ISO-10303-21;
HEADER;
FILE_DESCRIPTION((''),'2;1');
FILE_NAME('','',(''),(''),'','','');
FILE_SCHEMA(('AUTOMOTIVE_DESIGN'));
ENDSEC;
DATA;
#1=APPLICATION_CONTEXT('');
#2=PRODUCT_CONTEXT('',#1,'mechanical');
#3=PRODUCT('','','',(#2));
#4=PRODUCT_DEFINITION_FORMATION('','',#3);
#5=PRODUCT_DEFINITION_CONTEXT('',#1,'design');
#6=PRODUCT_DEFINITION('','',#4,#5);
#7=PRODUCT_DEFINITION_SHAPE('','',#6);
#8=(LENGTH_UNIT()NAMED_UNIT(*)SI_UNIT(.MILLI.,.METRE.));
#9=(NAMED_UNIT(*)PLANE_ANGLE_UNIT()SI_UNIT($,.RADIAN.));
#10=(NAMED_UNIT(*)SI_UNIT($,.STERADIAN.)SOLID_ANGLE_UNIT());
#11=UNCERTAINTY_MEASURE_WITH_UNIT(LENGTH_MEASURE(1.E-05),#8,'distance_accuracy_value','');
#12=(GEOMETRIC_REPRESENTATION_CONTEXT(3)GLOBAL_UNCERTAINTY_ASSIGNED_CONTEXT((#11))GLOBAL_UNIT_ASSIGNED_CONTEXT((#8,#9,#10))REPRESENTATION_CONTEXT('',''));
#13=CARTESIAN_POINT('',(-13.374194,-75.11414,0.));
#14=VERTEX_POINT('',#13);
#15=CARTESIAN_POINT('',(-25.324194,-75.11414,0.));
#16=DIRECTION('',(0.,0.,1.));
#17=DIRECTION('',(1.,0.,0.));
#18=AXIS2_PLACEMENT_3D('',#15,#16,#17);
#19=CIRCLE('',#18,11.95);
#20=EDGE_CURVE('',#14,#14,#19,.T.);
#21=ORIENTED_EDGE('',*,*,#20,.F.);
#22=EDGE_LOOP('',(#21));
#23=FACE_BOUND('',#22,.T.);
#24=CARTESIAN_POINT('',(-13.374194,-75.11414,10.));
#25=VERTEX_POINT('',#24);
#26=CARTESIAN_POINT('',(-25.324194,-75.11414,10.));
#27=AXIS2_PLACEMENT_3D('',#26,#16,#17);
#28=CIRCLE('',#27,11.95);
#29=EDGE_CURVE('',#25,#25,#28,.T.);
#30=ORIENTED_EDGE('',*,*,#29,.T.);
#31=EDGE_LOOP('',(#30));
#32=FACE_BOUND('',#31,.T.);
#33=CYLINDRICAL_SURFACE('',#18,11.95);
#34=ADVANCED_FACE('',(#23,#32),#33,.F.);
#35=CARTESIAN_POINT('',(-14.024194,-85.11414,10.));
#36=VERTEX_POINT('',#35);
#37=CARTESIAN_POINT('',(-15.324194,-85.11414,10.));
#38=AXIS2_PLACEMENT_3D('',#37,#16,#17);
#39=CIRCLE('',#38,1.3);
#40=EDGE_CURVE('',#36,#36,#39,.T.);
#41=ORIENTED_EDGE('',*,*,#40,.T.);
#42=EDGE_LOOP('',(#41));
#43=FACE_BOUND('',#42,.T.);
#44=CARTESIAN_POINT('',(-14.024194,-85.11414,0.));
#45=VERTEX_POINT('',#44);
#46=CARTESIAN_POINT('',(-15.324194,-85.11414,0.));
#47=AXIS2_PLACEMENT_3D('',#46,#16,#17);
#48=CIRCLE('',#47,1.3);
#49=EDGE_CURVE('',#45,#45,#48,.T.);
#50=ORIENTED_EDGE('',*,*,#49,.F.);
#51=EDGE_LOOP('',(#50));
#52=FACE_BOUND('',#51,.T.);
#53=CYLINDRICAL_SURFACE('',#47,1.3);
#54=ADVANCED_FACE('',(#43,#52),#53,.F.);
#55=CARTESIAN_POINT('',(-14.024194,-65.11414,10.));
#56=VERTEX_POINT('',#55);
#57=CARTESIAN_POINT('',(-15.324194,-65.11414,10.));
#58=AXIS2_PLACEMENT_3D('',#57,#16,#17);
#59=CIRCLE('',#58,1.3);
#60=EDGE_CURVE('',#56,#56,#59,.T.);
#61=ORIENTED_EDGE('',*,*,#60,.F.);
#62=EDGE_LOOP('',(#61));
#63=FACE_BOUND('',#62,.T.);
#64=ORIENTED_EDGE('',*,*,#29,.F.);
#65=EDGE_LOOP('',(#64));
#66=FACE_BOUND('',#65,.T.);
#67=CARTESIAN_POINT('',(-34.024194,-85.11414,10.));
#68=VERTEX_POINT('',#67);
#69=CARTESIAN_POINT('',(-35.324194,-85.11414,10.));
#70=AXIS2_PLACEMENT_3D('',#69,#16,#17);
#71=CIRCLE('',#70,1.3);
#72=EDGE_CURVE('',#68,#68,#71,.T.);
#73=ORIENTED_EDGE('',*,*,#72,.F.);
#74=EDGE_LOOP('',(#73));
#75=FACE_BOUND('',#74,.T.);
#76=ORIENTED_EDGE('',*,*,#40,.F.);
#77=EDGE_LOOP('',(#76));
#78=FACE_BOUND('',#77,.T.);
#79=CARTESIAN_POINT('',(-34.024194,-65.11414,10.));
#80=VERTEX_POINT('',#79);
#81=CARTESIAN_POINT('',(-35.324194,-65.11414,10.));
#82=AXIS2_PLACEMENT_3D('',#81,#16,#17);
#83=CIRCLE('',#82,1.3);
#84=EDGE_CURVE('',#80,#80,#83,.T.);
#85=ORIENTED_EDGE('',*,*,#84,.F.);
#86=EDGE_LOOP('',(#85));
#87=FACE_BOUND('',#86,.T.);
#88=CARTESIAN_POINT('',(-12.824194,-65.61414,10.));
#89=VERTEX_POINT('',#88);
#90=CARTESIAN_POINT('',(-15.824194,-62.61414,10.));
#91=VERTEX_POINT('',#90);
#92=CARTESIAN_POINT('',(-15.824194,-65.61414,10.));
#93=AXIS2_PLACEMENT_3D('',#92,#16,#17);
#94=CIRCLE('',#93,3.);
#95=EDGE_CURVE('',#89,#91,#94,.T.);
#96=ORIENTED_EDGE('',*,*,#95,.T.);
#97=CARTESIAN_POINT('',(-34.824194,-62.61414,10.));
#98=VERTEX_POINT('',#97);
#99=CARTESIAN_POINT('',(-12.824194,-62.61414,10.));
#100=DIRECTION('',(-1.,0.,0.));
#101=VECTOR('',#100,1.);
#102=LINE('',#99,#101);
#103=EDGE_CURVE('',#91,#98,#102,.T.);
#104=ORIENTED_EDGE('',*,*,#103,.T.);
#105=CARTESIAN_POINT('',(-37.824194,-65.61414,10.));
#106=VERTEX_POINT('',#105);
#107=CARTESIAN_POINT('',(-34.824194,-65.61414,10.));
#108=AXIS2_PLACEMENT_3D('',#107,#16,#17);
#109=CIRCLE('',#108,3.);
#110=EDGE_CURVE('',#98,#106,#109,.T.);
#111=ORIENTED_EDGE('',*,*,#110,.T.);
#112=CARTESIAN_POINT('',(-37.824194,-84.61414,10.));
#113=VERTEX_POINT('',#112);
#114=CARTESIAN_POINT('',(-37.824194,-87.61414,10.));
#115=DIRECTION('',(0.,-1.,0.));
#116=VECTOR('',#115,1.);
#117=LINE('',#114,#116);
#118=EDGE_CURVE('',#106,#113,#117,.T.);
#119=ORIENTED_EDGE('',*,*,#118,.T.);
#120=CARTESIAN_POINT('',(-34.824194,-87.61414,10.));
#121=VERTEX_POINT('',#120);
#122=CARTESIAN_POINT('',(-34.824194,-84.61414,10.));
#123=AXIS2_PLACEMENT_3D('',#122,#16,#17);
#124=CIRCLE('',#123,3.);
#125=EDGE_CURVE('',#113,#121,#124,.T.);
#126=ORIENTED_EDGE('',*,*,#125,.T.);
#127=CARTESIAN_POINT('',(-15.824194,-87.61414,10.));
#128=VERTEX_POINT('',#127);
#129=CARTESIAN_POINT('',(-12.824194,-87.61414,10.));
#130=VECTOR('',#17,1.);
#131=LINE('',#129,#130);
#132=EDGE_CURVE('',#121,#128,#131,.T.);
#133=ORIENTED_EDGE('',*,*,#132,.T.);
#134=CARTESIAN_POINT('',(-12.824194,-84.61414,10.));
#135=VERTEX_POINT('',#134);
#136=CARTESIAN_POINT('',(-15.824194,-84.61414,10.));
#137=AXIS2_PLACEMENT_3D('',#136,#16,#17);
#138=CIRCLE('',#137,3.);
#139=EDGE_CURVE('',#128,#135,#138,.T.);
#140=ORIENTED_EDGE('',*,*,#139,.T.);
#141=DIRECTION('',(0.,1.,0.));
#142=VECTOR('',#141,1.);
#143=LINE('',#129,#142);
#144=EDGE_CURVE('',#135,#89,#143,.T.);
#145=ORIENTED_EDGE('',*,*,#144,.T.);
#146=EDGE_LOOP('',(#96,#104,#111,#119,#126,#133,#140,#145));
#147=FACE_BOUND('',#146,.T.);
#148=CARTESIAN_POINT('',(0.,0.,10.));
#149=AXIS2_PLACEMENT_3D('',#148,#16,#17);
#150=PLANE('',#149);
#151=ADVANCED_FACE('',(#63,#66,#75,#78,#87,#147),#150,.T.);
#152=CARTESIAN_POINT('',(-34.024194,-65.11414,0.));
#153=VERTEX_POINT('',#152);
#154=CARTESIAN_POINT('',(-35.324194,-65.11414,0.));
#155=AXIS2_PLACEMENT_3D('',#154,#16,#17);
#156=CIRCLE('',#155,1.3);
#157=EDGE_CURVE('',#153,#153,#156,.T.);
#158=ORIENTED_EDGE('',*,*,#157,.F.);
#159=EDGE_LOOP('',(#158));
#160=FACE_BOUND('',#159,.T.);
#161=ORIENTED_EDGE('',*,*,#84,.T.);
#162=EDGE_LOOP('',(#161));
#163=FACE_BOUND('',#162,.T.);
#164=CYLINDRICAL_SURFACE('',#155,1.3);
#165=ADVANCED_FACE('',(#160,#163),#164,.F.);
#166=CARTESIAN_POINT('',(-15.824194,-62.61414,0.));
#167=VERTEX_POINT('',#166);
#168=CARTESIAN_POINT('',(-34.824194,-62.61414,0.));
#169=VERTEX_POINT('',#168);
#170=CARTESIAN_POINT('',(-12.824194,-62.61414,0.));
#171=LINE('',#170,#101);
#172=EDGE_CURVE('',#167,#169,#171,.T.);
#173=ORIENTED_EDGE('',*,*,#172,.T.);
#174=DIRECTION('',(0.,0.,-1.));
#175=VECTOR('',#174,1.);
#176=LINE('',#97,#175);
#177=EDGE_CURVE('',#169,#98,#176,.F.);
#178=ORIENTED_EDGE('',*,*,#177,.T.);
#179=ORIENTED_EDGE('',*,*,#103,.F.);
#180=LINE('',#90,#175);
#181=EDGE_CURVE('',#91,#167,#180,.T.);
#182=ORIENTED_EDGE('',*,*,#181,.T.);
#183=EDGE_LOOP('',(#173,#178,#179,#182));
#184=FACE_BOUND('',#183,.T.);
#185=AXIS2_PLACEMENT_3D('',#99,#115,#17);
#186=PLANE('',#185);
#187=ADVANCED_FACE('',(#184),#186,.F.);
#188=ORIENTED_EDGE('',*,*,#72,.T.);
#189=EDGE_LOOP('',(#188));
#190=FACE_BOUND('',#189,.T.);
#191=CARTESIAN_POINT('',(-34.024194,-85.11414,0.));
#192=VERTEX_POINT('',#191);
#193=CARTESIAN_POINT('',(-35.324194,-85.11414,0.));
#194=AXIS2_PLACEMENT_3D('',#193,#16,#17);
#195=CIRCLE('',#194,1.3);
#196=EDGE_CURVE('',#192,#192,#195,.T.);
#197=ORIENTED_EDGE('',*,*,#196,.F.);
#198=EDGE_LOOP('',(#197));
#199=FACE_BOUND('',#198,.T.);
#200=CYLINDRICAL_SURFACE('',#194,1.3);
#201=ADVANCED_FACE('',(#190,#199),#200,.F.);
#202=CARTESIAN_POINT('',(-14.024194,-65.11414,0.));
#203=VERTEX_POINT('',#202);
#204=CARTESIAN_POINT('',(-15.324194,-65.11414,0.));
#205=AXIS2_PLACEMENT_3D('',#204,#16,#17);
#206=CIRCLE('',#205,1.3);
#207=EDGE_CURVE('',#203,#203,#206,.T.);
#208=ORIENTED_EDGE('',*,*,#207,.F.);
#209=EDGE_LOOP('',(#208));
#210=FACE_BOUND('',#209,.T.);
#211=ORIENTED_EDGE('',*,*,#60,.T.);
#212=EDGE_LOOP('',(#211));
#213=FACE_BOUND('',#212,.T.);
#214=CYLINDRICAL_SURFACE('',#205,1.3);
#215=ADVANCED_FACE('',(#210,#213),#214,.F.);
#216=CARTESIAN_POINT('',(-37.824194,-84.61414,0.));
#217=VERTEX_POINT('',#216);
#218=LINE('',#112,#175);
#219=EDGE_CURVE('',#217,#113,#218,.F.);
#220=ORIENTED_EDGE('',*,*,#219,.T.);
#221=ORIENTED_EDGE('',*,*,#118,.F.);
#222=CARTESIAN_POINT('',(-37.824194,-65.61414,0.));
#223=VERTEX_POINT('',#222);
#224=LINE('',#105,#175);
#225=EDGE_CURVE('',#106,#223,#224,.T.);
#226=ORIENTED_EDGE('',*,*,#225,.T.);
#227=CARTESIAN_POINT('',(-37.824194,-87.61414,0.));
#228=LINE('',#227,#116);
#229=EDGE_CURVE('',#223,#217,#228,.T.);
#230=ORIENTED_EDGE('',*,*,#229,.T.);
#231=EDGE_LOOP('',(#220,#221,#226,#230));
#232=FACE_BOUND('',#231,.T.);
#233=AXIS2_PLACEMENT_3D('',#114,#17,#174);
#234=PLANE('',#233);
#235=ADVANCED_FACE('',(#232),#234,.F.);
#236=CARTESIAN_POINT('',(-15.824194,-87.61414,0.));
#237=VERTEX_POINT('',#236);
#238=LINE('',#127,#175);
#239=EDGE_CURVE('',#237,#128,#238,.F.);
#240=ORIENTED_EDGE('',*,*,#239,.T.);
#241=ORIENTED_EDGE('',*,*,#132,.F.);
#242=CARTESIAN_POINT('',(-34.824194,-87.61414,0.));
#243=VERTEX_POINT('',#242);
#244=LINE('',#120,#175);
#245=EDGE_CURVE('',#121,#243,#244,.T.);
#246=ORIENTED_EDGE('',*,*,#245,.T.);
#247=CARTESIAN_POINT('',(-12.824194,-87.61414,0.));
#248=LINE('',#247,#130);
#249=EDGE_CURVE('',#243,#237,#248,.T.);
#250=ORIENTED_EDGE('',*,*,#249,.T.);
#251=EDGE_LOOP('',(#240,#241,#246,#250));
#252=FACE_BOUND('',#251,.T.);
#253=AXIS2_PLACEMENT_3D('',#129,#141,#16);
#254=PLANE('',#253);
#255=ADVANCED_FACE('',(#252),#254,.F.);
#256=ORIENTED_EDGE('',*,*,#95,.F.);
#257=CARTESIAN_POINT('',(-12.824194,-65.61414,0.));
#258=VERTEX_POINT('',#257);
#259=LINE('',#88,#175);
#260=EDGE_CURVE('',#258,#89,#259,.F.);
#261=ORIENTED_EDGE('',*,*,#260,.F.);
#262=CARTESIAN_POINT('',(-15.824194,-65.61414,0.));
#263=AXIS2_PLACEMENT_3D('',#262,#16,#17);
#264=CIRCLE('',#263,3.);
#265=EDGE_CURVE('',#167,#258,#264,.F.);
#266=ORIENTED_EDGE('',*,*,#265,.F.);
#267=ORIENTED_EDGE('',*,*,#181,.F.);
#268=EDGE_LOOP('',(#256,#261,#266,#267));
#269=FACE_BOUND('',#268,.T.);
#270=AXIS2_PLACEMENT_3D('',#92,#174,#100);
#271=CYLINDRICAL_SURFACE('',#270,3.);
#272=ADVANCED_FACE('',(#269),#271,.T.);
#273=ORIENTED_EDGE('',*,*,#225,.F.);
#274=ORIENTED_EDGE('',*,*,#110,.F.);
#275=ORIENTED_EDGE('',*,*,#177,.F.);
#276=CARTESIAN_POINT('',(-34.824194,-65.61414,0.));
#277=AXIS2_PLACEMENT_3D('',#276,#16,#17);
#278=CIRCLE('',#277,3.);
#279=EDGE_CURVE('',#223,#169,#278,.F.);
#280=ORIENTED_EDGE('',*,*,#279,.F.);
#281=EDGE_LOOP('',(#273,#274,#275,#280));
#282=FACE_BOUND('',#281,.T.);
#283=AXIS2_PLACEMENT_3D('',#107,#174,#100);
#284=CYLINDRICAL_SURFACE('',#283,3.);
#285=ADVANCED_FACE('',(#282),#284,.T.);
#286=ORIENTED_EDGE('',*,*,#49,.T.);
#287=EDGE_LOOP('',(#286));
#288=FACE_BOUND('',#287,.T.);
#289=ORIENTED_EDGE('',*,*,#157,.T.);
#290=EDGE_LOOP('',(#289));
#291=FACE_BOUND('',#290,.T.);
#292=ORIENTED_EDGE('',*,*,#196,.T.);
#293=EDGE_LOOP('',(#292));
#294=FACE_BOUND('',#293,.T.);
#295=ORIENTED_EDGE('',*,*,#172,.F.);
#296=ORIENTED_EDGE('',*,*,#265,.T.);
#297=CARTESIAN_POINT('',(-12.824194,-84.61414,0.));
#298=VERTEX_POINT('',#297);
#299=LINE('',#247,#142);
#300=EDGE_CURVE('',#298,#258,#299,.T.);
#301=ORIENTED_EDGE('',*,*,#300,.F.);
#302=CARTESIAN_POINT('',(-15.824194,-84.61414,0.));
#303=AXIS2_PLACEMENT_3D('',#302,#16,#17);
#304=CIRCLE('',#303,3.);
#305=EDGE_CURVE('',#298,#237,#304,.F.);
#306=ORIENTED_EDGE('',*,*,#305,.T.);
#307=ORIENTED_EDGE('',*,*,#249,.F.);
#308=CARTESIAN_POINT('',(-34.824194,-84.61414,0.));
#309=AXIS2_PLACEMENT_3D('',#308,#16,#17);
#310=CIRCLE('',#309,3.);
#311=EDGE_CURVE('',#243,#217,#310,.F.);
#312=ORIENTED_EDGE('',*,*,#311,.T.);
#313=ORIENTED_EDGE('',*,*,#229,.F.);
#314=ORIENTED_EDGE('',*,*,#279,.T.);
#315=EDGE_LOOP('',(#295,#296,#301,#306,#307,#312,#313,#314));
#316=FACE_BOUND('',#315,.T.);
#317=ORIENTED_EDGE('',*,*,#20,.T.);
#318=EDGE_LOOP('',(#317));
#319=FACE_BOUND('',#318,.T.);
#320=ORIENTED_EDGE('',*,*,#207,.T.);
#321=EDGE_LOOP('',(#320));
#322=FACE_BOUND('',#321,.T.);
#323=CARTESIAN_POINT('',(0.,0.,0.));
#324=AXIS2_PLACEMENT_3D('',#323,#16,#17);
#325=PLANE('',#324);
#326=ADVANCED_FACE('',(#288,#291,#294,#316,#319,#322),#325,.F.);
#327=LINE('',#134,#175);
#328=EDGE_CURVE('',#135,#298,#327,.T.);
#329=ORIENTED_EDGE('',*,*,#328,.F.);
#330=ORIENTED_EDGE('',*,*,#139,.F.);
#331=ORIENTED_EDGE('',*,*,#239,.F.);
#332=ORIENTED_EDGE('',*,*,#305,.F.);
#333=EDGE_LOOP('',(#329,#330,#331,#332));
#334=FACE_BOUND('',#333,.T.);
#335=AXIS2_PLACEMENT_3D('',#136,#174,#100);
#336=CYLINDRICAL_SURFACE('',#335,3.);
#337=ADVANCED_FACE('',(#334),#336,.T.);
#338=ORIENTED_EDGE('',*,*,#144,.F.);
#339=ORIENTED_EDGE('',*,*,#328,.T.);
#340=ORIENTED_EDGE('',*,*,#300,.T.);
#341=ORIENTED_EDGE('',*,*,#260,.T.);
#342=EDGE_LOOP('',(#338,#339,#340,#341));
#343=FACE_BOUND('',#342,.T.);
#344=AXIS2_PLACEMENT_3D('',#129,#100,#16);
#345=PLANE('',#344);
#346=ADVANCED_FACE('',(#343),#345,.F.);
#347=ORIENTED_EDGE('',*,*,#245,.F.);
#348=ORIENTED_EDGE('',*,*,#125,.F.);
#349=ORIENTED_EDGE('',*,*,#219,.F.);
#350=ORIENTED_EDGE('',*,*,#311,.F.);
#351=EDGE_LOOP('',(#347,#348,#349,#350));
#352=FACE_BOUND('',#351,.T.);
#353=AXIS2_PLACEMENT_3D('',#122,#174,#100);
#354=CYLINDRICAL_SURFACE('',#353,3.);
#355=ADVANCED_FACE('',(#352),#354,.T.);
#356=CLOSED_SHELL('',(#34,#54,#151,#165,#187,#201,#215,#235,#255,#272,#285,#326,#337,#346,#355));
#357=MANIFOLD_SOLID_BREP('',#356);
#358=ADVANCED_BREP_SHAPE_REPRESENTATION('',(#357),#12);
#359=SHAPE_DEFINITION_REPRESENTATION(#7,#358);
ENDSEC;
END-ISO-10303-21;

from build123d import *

# Parameters (mm, degrees)
SKETCH1_W           = 25
SKETCH1_H           = 25
BOSS_EXTRUDE1_DEPTH = 10
FILLET1_R           = 3
SKETCH2_R           = 1.3
CUT_EXTRUDE1_DEPTH  = 10
SKETCH3_R           = 11.95
CUT_EXTRUDE2_DEPTH  = 10


with BuildPart() as part:
    # Sketch1 → Boss-Extrude1 (new body)
    with BuildSketch(Plane.XY):
        with Locations((-25.324193791, -75.114139951)):
            Rectangle(SKETCH1_W, SKETCH1_H)
    extrude(amount=BOSS_EXTRUDE1_DEPTH)

    # Fillet1
    fillet1_edges = [part.edges().sort_by_distance(p)[0] for p in [
        (-12.824193791, -87.614139951, 5),
        (-37.824193791, -87.614139951, 5),
        (-37.824193791, -62.614139951, 5),
        (-12.824193791, -62.614139951, 5),
    ]]
    fillet(fillet1_edges, radius=FILLET1_R)

    # Sketch2 → Cut-Extrude1 (cut)
    with BuildSketch(Plane.XY.offset(10)):
        with Locations((-15.324193791, -85.114139951)):
            Circle(SKETCH2_R)
        with Locations((-15.324193791, -65.114139951)):
            Circle(SKETCH2_R)
        with Locations((-35.324193791, -65.114139951)):
            Circle(SKETCH2_R)
        with Locations((-35.324193791, -85.114139951)):
            Circle(SKETCH2_R)
    extrude(amount=-CUT_EXTRUDE1_DEPTH, mode=Mode.SUBTRACT)

    # Sketch3 → Cut-Extrude2 (cut)
    with BuildSketch(Plane.XY.offset(10)):
        with Locations((-25.324193791, -75.114139951)):
            Circle(SKETCH3_R)
    extrude(amount=-CUT_EXTRUDE2_DEPTH, mode=Mode.SUBTRACT)


solid = part.part
